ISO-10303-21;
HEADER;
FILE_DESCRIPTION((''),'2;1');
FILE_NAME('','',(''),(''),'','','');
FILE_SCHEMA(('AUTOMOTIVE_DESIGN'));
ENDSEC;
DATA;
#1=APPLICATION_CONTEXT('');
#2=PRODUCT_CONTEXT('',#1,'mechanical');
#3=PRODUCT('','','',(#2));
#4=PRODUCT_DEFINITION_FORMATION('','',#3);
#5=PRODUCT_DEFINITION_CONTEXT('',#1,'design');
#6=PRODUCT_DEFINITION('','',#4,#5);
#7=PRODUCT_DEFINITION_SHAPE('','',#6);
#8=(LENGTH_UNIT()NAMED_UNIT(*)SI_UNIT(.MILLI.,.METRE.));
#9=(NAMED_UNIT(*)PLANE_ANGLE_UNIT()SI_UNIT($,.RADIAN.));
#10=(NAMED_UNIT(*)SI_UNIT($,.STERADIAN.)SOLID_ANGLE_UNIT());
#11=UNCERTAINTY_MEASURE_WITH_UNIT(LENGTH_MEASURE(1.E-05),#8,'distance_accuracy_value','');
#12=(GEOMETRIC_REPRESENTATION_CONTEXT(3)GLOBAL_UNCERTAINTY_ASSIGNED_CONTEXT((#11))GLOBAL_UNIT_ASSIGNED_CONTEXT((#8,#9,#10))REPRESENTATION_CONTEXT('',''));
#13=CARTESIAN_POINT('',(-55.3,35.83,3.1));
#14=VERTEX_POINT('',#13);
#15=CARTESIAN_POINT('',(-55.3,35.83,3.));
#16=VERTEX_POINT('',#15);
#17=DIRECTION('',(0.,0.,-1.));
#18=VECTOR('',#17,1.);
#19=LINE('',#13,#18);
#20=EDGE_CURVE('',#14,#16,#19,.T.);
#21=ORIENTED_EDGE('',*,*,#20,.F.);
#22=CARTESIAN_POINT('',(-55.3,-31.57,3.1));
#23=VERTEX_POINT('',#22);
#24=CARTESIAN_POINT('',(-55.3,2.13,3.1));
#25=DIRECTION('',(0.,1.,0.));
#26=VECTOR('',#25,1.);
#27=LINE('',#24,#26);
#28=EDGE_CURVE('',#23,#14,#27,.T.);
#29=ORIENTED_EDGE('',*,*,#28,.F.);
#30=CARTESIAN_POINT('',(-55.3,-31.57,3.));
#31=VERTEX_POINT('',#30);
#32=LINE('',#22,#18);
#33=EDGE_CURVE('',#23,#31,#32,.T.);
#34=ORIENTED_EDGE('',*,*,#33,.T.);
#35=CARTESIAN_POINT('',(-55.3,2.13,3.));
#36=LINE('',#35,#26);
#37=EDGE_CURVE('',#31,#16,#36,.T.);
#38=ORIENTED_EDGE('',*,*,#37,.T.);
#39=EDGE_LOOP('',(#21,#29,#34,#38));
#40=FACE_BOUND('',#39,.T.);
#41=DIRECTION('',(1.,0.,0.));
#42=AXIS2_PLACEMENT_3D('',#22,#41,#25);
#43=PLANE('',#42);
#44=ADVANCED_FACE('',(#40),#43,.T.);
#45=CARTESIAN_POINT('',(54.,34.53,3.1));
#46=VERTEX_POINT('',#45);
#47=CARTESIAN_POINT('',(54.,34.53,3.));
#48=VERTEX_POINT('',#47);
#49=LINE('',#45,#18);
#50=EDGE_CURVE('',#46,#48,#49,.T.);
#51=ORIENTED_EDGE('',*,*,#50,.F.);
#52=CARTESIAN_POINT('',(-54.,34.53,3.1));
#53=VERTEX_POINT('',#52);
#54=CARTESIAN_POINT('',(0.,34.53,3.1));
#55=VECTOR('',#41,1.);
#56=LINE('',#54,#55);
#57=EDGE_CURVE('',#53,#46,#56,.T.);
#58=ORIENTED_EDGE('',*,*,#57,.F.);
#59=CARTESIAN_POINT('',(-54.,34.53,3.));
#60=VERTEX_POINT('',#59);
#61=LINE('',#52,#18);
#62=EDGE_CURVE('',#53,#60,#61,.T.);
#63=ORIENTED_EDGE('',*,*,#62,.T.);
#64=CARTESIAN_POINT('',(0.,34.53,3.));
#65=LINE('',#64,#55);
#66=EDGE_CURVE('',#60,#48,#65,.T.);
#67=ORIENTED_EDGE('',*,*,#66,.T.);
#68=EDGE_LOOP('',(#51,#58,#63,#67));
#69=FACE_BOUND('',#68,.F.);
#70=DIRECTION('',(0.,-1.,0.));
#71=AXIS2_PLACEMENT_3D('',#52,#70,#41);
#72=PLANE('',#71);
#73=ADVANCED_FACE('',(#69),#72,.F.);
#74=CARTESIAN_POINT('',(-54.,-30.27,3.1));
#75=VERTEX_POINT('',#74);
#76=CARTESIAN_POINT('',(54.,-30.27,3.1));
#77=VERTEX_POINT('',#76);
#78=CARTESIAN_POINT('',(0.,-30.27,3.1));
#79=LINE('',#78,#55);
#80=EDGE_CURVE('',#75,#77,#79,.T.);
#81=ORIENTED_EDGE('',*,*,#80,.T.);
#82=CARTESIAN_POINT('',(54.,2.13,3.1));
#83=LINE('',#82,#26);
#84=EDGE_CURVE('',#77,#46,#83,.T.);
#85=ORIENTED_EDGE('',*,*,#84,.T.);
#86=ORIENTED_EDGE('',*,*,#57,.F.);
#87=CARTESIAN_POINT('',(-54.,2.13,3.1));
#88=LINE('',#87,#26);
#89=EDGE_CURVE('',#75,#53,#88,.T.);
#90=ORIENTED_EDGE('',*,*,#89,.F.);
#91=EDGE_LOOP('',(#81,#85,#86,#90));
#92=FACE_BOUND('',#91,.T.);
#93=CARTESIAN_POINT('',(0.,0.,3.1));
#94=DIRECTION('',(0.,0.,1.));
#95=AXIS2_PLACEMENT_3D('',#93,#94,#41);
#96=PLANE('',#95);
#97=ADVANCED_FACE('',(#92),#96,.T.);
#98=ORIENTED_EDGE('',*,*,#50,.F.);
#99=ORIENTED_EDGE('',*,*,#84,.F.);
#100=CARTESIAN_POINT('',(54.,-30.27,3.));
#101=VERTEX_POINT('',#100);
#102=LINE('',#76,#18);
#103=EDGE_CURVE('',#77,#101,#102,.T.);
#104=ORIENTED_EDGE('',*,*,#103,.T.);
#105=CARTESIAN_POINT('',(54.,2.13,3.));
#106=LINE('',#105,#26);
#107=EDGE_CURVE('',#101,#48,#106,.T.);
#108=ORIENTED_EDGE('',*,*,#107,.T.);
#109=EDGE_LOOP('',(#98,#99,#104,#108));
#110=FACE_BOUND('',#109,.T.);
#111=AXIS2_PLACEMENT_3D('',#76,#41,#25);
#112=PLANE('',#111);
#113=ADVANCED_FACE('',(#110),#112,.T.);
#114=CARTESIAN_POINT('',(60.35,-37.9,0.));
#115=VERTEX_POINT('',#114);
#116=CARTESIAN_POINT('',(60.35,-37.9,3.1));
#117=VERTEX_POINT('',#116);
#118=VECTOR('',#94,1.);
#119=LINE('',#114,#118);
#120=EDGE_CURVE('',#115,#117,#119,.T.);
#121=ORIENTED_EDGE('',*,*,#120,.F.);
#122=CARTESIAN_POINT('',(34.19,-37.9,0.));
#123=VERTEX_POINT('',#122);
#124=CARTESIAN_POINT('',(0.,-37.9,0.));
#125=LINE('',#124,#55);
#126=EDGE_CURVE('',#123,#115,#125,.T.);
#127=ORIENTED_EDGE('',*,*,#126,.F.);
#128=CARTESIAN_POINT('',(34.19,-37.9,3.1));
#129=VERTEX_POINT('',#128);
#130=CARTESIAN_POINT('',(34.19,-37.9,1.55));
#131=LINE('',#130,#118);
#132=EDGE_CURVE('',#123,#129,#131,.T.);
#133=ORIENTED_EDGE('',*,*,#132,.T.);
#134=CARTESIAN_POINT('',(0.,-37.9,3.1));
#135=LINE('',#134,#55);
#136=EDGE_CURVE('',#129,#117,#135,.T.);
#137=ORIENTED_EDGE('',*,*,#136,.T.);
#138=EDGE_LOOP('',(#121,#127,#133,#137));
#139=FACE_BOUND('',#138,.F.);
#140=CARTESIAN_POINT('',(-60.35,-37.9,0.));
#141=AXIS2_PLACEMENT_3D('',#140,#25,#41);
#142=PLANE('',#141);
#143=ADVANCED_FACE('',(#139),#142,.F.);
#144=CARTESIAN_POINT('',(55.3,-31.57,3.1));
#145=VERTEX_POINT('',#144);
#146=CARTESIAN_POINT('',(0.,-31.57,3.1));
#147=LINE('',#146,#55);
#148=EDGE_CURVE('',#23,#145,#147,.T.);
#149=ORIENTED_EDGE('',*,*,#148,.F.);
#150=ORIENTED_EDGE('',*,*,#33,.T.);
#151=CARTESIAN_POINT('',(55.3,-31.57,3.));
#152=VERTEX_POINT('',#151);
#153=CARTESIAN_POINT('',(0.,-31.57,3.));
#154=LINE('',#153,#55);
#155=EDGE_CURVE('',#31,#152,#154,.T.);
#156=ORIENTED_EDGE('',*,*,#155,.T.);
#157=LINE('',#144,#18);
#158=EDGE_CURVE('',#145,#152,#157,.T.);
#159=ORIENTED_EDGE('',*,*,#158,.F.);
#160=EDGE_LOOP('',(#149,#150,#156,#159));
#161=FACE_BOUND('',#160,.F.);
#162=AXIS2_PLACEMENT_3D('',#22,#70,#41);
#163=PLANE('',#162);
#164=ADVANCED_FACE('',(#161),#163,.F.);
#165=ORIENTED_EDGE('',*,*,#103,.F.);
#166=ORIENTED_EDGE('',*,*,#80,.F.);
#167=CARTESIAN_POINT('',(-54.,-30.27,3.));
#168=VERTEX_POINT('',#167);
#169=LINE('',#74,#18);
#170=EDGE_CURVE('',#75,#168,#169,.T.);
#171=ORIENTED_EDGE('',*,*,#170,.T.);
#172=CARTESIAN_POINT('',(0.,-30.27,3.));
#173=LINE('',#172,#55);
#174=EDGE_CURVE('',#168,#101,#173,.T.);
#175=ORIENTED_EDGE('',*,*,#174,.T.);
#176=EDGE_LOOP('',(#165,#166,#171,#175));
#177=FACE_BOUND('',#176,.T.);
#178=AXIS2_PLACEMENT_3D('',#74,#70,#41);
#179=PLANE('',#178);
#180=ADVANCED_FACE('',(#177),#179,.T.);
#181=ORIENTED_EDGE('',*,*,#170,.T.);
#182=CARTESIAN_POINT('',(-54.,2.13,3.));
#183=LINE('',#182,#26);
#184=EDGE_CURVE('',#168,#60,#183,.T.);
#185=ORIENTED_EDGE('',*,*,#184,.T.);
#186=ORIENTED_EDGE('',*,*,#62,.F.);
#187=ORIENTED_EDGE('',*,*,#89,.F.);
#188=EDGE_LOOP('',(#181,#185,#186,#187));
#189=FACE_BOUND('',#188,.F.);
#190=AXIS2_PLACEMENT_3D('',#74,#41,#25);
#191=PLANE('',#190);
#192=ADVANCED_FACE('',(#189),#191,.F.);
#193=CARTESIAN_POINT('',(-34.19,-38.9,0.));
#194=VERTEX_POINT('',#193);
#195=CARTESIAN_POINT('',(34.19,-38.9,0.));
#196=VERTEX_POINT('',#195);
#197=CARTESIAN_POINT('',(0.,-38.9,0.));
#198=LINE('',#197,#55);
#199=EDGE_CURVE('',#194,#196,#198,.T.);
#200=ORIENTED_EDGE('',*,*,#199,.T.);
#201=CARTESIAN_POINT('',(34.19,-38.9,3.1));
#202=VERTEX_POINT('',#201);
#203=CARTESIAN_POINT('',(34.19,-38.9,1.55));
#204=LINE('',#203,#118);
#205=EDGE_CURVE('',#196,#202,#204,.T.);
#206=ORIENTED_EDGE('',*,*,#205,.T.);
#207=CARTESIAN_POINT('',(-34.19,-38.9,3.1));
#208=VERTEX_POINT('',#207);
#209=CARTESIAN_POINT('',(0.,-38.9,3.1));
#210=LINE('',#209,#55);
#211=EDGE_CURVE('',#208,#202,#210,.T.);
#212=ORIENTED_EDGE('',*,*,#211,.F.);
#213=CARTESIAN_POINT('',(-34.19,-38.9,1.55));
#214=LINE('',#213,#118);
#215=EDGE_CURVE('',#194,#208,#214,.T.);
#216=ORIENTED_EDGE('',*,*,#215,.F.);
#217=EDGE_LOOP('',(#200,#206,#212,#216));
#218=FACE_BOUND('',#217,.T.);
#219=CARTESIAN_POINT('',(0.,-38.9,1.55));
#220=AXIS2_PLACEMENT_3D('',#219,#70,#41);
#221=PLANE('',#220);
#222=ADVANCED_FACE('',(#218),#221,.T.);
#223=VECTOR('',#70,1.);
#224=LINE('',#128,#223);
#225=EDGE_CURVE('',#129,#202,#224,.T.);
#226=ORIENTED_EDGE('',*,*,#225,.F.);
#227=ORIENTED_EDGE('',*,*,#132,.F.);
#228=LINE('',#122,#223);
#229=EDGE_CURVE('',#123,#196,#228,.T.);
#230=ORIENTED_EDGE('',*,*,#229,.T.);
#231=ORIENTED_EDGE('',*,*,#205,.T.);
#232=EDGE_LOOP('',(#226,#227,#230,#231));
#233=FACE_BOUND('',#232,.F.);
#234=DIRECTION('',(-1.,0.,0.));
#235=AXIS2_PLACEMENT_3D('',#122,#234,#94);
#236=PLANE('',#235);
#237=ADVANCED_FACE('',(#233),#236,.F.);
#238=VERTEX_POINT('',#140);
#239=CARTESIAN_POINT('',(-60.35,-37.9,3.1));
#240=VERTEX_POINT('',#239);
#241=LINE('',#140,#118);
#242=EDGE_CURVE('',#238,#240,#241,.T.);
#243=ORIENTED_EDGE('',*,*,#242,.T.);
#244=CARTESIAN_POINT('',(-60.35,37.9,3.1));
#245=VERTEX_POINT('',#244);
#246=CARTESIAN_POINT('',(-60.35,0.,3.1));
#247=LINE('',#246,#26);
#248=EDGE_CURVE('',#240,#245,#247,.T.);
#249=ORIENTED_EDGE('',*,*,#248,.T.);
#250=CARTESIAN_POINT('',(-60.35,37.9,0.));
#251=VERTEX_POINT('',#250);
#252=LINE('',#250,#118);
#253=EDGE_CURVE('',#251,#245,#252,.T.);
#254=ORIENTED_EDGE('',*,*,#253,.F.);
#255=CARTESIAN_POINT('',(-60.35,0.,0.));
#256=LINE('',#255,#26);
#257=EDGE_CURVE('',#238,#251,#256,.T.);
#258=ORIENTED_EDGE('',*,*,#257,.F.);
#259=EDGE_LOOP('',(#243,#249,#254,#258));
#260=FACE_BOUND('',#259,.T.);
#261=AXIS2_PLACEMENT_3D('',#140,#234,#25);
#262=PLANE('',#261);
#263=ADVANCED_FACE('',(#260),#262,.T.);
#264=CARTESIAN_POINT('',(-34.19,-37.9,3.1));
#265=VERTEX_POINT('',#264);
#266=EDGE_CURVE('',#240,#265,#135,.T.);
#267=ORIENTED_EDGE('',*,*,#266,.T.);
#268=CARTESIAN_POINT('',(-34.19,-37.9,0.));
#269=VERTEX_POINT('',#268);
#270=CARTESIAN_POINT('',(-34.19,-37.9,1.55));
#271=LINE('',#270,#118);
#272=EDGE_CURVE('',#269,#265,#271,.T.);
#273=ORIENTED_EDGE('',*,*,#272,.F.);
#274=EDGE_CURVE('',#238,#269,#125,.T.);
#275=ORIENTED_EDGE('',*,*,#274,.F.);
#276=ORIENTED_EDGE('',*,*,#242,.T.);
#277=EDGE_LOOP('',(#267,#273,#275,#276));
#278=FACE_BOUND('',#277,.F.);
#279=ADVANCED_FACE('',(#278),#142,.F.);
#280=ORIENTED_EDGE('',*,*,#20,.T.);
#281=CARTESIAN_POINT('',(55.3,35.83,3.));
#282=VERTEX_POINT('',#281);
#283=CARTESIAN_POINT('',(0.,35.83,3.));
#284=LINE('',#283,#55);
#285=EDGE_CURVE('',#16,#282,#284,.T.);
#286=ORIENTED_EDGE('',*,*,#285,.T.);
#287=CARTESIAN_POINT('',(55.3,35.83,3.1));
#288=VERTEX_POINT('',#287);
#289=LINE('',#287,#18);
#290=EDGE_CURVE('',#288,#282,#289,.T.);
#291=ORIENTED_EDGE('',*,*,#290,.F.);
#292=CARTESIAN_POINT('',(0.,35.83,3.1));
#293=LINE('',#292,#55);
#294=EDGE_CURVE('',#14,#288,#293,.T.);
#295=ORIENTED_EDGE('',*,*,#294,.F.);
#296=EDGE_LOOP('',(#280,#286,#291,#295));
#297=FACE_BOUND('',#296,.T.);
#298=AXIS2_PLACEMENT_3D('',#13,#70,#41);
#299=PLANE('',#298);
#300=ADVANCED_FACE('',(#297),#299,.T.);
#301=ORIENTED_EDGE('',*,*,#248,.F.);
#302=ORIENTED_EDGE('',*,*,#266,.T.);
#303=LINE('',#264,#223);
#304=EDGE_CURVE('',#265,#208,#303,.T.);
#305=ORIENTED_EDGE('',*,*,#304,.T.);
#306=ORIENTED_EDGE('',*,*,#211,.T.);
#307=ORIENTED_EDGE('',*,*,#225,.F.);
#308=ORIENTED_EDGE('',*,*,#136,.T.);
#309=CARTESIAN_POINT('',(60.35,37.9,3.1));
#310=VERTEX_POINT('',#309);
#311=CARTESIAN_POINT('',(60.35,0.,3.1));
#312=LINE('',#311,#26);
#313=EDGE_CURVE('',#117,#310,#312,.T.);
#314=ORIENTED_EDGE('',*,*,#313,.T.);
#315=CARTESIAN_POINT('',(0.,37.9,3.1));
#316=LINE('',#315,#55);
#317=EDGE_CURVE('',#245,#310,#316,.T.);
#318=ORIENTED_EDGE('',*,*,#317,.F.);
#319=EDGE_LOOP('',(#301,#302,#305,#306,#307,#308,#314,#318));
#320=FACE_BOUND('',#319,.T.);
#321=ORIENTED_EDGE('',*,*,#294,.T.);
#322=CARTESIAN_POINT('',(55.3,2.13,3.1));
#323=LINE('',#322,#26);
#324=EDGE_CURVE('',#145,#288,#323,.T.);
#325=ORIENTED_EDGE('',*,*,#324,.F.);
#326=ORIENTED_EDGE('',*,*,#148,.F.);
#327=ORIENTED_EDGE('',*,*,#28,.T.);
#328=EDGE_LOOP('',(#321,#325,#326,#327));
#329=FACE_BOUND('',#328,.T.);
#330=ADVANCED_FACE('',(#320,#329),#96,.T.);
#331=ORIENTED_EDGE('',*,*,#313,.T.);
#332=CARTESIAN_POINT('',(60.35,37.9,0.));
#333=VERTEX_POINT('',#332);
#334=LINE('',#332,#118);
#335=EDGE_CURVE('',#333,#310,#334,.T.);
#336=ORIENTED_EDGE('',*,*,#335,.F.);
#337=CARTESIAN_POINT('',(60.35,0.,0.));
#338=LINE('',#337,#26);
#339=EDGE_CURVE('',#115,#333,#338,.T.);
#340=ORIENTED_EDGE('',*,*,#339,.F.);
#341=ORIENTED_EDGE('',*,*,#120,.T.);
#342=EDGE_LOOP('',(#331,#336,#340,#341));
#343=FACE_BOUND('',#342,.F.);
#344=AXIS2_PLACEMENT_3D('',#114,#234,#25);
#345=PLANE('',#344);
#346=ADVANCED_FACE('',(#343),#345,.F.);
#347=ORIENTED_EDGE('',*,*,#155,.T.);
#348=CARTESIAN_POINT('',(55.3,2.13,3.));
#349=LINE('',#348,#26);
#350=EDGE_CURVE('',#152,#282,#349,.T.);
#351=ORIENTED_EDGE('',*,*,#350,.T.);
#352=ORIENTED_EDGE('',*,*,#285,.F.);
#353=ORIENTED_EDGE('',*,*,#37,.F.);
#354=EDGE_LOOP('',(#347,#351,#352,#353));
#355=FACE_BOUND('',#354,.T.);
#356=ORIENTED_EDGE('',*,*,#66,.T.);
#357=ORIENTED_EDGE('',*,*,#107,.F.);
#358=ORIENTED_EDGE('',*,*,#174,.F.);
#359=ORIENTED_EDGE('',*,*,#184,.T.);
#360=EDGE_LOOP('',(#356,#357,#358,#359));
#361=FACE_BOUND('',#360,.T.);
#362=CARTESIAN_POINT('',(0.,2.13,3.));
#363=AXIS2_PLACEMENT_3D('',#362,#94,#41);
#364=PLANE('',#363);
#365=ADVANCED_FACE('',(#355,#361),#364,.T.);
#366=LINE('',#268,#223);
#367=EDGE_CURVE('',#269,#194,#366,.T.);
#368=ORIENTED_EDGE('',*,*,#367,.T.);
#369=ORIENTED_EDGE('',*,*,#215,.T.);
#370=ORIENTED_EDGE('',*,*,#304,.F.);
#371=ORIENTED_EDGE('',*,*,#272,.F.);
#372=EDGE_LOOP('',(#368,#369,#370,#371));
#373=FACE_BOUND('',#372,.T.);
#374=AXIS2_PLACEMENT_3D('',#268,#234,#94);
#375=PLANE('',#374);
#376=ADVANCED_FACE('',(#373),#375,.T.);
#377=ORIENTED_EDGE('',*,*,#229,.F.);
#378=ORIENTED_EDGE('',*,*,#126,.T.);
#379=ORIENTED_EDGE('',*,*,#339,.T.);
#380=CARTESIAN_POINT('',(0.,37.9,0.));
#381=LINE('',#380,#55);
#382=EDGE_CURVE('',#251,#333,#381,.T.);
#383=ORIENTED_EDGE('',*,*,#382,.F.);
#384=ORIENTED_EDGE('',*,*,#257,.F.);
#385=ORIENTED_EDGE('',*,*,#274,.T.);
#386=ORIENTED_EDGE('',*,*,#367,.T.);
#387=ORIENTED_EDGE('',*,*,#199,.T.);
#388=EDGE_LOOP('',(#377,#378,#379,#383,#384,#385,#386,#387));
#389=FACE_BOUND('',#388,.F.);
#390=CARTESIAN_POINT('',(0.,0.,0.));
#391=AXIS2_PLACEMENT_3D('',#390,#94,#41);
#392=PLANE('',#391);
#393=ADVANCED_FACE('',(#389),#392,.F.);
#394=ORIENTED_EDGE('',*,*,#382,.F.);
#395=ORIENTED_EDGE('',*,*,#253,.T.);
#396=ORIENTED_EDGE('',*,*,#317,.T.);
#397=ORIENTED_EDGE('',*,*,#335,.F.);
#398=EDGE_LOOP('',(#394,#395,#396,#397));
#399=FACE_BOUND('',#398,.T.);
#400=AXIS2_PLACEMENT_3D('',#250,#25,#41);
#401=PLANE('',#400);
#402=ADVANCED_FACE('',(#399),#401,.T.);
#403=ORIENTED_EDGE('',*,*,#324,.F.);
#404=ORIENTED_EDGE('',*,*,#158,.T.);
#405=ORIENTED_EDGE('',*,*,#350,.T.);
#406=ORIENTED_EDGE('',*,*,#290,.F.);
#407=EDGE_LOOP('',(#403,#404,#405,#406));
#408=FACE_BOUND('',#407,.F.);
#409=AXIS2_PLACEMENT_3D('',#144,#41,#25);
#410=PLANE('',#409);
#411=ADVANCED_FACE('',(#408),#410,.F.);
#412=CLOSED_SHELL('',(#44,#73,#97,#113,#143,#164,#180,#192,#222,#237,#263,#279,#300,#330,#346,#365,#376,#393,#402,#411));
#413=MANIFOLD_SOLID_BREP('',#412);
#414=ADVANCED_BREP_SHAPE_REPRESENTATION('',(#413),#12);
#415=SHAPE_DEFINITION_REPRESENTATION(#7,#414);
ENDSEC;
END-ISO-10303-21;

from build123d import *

# Parameters (mm, degrees)
F0_W     = 120.7
F0_H     = 75.8
F1_DEPTH = 3.1
F2_W     = 110.6
F2_H     = 67.4
F2_W_2   = 108
F2_H_2   = 64.8
F3_DEPTH = 0.1
F4_W     = 68.38
F4_H     = 3.1
F5_DEPTH = 1


with BuildPart() as f1:
    # F0 (on Top) → F1 (new body)
    with BuildSketch(Plane.XY):
        Rectangle(F0_W, F0_H)
    extrude(amount=F1_DEPTH)

    # F2 (on face) → F3 (cut)
    with BuildSketch(Plane.XY.offset(3.1)):
        with Locations((0, 2.13)):
            Rectangle(F2_W, F2_H)
        with Locations((0, 2.13)):
            Rectangle(F2_W_2, F2_H_2, mode=Mode.SUBTRACT)
    extrude(amount=-F3_DEPTH, mode=Mode.SUBTRACT)

    # F4 (on face) → F5 (join)
    with BuildSketch(Plane.XZ.offset(37.9)):
        with Locations((0, 1.55)):
            Rectangle(F4_W, F4_H)
    extrude(amount=F5_DEPTH)


solid = f1.part
